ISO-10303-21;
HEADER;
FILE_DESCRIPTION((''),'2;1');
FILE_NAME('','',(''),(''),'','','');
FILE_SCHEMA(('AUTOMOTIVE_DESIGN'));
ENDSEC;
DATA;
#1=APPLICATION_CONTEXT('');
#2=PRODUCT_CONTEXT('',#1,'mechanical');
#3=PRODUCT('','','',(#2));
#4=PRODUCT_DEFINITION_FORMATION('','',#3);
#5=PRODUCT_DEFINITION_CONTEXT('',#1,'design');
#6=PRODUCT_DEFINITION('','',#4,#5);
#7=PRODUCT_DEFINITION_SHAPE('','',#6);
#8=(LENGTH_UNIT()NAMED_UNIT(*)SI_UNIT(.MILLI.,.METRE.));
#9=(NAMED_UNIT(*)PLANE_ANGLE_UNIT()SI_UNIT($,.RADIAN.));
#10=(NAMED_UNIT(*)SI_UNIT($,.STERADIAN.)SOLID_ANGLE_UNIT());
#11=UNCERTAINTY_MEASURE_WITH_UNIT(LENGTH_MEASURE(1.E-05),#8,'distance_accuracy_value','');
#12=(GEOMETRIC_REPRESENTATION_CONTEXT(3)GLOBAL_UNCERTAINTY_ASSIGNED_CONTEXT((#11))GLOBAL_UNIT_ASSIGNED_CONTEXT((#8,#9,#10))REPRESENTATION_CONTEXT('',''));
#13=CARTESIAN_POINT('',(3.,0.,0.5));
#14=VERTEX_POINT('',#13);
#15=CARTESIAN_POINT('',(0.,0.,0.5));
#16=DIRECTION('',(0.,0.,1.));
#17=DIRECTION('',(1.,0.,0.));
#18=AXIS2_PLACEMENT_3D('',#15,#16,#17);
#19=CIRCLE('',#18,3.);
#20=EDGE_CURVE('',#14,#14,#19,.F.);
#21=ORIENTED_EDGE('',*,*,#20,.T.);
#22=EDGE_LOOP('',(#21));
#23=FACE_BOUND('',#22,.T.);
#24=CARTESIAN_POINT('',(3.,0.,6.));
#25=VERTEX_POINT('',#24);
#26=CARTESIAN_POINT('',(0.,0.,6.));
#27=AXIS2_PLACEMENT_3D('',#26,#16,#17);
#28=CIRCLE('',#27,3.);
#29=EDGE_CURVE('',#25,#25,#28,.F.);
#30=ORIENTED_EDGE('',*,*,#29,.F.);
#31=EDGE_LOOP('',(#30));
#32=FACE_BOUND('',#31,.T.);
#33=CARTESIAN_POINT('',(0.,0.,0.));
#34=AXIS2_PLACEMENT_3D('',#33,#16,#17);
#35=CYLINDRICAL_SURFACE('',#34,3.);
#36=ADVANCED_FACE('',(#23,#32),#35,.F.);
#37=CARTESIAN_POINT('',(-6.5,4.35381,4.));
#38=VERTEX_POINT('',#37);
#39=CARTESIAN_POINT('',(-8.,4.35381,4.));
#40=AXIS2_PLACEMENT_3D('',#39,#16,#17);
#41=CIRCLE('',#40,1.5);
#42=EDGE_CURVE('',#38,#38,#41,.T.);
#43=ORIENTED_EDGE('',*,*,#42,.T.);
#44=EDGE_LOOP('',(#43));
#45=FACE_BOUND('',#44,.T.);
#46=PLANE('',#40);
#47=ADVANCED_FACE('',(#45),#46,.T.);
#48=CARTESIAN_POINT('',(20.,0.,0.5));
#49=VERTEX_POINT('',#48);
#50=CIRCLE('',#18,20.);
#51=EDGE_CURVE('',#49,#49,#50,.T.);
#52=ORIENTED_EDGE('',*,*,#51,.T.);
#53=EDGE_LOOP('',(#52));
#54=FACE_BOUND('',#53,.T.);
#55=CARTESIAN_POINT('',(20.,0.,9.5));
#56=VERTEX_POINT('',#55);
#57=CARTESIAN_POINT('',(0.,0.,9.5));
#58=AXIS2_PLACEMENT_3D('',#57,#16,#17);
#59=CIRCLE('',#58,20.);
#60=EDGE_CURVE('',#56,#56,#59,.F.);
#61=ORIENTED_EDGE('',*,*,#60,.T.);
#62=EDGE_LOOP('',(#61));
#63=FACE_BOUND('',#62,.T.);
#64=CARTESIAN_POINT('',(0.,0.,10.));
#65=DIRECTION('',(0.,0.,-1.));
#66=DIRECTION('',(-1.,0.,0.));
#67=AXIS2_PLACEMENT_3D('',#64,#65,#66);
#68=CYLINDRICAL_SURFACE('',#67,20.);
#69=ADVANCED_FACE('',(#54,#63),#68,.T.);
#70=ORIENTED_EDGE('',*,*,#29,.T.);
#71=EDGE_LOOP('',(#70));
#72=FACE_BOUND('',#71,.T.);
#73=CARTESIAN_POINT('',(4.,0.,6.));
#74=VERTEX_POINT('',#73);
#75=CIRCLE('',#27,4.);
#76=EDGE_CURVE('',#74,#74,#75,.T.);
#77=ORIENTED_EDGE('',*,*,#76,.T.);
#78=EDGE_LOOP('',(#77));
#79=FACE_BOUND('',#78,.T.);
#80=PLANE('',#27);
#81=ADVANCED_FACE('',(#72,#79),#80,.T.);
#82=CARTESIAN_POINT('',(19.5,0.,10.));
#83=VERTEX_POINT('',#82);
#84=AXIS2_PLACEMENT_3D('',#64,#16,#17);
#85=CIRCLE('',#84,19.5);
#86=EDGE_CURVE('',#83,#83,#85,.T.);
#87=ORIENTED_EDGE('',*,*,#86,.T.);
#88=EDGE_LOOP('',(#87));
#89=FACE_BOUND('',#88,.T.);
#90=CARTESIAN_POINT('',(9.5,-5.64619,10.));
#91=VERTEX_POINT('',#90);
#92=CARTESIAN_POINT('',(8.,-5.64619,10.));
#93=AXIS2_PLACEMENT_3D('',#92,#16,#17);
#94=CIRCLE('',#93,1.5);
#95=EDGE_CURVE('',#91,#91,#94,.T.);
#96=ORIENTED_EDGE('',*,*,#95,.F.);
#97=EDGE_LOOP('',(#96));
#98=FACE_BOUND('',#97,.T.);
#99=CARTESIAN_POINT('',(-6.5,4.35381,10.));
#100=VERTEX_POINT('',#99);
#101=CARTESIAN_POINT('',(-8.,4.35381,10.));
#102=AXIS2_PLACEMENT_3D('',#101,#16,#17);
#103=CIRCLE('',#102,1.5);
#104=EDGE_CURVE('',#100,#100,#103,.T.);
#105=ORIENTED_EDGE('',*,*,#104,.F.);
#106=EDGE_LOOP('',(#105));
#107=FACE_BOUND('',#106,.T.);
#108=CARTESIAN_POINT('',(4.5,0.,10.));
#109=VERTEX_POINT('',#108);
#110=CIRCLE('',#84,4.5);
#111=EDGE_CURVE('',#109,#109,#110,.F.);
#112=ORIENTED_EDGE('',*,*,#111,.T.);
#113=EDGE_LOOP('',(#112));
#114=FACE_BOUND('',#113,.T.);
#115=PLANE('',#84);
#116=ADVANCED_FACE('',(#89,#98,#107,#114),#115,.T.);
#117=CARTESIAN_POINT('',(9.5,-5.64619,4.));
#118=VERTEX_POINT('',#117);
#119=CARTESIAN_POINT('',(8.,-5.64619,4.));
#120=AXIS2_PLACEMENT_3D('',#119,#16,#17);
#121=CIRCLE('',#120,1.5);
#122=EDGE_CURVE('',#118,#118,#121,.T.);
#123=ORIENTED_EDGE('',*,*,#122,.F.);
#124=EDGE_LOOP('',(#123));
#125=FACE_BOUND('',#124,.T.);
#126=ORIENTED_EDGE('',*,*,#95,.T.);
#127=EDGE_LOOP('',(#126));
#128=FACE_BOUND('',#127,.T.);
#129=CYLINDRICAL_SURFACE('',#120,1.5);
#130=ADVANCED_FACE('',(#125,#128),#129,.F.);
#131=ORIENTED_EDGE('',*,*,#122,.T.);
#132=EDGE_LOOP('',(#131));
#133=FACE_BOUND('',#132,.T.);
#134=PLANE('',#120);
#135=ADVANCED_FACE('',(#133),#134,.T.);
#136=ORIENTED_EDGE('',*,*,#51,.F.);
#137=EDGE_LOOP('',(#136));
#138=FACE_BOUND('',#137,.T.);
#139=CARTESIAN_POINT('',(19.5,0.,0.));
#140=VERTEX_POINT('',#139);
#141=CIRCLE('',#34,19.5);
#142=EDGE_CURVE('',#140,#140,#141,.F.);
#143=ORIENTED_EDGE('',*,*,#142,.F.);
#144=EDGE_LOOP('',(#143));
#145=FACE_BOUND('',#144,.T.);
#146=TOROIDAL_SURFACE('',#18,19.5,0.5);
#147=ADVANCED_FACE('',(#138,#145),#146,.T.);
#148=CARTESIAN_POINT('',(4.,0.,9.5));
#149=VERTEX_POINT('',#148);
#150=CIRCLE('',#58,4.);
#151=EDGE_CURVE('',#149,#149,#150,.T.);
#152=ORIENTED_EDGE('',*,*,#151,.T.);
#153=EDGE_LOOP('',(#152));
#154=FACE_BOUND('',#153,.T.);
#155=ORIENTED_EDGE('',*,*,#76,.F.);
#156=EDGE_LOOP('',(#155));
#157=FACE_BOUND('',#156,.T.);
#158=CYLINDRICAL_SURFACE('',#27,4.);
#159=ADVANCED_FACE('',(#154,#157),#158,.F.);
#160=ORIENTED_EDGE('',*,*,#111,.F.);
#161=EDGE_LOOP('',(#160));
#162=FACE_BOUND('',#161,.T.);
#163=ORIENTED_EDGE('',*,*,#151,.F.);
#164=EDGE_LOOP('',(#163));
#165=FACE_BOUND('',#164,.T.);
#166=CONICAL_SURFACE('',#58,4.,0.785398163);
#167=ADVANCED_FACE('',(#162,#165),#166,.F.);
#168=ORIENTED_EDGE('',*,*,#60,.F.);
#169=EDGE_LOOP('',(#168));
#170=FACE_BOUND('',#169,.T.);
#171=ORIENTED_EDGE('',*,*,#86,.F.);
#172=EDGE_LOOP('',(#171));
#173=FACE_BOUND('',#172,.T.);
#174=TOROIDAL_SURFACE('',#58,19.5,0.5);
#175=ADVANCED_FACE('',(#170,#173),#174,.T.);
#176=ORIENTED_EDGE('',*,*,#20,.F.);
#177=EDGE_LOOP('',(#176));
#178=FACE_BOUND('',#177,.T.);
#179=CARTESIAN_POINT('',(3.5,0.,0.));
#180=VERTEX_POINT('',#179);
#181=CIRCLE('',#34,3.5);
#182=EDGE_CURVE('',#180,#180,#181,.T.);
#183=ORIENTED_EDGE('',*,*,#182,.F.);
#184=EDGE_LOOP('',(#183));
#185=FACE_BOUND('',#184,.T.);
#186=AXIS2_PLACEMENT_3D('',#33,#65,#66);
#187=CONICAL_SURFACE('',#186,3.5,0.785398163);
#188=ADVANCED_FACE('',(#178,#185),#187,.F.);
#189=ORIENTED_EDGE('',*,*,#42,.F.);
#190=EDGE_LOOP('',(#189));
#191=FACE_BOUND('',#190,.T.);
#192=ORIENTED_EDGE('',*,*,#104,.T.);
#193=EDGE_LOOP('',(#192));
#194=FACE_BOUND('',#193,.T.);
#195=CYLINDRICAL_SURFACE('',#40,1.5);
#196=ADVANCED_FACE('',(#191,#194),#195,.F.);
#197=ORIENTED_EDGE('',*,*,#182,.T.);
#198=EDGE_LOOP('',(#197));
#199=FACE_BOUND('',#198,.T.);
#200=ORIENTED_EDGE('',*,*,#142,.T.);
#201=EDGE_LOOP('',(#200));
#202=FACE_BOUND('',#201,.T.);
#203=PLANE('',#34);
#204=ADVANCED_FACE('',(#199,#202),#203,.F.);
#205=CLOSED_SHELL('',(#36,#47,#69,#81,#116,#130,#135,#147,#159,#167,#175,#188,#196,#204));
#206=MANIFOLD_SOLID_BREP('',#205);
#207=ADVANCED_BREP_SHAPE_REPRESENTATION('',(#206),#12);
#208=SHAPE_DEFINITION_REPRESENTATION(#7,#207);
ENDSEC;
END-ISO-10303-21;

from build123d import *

# Parameters (mm, degrees)
SKETCH_1_R          = 20
EXTRUDE_1_DEPTH     = 10
SKETCH_2_R          = 3
CUT_EXTRUDE_1_DEPTH = 10
SKETCH_3_R          = 4
CUT_EXTRUDE_2_DEPTH = 4
FILLET_1_R          = 0.5
CHAMFER_1_SIZE      = 0.5
CHAMFER_2_SIZE      = 0.5
SKETCH_6_R          = 1.5
CUT_EXTRUDE_7_DEPTH = 6


with BuildPart() as part:
    # 草图1 → 凸台-拉伸1 (new body)
    with BuildSketch(Plane.XY):
        Circle(SKETCH_1_R)
    extrude(amount=EXTRUDE_1_DEPTH)

    # 草图2 → 切除-拉伸1 (cut)
    with BuildSketch(Plane.XY.offset(10)):
        Circle(SKETCH_2_R)
    extrude(amount=-CUT_EXTRUDE_1_DEPTH, mode=Mode.SUBTRACT)

    # 草图3 → 切除-拉伸2 (cut)
    with BuildSketch(Plane.XY.offset(10)):
        Circle(SKETCH_3_R)
    extrude(amount=-CUT_EXTRUDE_2_DEPTH, mode=Mode.SUBTRACT)

    # 圆角1
    fillet_1_edges = [part.edges().sort_by_distance(p)[0] for p in [
        (-20, 0, 0),
        (-20, 0, 10),
    ]]
    fillet(fillet_1_edges, radius=FILLET_1_R)

    # 倒角1
    chamfer_1_edges = [part.edges().sort_by_distance(p)[0] for p in [
        (-3, 0, 0),
    ]]
    chamfer(chamfer_1_edges, length=CHAMFER_1_SIZE)

    # 倒角2
    chamfer_2_edges = [part.edges().sort_by_distance(p)[0] for p in [
        (-4, 0, 10),
    ]]
    chamfer(chamfer_2_edges, length=CHAMFER_2_SIZE)

    # 草图6 → 切除-拉伸7 (cut)
    with BuildSketch(Plane.XY.offset(10)):
        with Locations((-8, 4.353810299)):
            Circle(SKETCH_6_R)
        with Locations((8, -5.646189701)):
            Circle(SKETCH_6_R)
    extrude(amount=-CUT_EXTRUDE_7_DEPTH, mode=Mode.SUBTRACT)


solid = part.part
